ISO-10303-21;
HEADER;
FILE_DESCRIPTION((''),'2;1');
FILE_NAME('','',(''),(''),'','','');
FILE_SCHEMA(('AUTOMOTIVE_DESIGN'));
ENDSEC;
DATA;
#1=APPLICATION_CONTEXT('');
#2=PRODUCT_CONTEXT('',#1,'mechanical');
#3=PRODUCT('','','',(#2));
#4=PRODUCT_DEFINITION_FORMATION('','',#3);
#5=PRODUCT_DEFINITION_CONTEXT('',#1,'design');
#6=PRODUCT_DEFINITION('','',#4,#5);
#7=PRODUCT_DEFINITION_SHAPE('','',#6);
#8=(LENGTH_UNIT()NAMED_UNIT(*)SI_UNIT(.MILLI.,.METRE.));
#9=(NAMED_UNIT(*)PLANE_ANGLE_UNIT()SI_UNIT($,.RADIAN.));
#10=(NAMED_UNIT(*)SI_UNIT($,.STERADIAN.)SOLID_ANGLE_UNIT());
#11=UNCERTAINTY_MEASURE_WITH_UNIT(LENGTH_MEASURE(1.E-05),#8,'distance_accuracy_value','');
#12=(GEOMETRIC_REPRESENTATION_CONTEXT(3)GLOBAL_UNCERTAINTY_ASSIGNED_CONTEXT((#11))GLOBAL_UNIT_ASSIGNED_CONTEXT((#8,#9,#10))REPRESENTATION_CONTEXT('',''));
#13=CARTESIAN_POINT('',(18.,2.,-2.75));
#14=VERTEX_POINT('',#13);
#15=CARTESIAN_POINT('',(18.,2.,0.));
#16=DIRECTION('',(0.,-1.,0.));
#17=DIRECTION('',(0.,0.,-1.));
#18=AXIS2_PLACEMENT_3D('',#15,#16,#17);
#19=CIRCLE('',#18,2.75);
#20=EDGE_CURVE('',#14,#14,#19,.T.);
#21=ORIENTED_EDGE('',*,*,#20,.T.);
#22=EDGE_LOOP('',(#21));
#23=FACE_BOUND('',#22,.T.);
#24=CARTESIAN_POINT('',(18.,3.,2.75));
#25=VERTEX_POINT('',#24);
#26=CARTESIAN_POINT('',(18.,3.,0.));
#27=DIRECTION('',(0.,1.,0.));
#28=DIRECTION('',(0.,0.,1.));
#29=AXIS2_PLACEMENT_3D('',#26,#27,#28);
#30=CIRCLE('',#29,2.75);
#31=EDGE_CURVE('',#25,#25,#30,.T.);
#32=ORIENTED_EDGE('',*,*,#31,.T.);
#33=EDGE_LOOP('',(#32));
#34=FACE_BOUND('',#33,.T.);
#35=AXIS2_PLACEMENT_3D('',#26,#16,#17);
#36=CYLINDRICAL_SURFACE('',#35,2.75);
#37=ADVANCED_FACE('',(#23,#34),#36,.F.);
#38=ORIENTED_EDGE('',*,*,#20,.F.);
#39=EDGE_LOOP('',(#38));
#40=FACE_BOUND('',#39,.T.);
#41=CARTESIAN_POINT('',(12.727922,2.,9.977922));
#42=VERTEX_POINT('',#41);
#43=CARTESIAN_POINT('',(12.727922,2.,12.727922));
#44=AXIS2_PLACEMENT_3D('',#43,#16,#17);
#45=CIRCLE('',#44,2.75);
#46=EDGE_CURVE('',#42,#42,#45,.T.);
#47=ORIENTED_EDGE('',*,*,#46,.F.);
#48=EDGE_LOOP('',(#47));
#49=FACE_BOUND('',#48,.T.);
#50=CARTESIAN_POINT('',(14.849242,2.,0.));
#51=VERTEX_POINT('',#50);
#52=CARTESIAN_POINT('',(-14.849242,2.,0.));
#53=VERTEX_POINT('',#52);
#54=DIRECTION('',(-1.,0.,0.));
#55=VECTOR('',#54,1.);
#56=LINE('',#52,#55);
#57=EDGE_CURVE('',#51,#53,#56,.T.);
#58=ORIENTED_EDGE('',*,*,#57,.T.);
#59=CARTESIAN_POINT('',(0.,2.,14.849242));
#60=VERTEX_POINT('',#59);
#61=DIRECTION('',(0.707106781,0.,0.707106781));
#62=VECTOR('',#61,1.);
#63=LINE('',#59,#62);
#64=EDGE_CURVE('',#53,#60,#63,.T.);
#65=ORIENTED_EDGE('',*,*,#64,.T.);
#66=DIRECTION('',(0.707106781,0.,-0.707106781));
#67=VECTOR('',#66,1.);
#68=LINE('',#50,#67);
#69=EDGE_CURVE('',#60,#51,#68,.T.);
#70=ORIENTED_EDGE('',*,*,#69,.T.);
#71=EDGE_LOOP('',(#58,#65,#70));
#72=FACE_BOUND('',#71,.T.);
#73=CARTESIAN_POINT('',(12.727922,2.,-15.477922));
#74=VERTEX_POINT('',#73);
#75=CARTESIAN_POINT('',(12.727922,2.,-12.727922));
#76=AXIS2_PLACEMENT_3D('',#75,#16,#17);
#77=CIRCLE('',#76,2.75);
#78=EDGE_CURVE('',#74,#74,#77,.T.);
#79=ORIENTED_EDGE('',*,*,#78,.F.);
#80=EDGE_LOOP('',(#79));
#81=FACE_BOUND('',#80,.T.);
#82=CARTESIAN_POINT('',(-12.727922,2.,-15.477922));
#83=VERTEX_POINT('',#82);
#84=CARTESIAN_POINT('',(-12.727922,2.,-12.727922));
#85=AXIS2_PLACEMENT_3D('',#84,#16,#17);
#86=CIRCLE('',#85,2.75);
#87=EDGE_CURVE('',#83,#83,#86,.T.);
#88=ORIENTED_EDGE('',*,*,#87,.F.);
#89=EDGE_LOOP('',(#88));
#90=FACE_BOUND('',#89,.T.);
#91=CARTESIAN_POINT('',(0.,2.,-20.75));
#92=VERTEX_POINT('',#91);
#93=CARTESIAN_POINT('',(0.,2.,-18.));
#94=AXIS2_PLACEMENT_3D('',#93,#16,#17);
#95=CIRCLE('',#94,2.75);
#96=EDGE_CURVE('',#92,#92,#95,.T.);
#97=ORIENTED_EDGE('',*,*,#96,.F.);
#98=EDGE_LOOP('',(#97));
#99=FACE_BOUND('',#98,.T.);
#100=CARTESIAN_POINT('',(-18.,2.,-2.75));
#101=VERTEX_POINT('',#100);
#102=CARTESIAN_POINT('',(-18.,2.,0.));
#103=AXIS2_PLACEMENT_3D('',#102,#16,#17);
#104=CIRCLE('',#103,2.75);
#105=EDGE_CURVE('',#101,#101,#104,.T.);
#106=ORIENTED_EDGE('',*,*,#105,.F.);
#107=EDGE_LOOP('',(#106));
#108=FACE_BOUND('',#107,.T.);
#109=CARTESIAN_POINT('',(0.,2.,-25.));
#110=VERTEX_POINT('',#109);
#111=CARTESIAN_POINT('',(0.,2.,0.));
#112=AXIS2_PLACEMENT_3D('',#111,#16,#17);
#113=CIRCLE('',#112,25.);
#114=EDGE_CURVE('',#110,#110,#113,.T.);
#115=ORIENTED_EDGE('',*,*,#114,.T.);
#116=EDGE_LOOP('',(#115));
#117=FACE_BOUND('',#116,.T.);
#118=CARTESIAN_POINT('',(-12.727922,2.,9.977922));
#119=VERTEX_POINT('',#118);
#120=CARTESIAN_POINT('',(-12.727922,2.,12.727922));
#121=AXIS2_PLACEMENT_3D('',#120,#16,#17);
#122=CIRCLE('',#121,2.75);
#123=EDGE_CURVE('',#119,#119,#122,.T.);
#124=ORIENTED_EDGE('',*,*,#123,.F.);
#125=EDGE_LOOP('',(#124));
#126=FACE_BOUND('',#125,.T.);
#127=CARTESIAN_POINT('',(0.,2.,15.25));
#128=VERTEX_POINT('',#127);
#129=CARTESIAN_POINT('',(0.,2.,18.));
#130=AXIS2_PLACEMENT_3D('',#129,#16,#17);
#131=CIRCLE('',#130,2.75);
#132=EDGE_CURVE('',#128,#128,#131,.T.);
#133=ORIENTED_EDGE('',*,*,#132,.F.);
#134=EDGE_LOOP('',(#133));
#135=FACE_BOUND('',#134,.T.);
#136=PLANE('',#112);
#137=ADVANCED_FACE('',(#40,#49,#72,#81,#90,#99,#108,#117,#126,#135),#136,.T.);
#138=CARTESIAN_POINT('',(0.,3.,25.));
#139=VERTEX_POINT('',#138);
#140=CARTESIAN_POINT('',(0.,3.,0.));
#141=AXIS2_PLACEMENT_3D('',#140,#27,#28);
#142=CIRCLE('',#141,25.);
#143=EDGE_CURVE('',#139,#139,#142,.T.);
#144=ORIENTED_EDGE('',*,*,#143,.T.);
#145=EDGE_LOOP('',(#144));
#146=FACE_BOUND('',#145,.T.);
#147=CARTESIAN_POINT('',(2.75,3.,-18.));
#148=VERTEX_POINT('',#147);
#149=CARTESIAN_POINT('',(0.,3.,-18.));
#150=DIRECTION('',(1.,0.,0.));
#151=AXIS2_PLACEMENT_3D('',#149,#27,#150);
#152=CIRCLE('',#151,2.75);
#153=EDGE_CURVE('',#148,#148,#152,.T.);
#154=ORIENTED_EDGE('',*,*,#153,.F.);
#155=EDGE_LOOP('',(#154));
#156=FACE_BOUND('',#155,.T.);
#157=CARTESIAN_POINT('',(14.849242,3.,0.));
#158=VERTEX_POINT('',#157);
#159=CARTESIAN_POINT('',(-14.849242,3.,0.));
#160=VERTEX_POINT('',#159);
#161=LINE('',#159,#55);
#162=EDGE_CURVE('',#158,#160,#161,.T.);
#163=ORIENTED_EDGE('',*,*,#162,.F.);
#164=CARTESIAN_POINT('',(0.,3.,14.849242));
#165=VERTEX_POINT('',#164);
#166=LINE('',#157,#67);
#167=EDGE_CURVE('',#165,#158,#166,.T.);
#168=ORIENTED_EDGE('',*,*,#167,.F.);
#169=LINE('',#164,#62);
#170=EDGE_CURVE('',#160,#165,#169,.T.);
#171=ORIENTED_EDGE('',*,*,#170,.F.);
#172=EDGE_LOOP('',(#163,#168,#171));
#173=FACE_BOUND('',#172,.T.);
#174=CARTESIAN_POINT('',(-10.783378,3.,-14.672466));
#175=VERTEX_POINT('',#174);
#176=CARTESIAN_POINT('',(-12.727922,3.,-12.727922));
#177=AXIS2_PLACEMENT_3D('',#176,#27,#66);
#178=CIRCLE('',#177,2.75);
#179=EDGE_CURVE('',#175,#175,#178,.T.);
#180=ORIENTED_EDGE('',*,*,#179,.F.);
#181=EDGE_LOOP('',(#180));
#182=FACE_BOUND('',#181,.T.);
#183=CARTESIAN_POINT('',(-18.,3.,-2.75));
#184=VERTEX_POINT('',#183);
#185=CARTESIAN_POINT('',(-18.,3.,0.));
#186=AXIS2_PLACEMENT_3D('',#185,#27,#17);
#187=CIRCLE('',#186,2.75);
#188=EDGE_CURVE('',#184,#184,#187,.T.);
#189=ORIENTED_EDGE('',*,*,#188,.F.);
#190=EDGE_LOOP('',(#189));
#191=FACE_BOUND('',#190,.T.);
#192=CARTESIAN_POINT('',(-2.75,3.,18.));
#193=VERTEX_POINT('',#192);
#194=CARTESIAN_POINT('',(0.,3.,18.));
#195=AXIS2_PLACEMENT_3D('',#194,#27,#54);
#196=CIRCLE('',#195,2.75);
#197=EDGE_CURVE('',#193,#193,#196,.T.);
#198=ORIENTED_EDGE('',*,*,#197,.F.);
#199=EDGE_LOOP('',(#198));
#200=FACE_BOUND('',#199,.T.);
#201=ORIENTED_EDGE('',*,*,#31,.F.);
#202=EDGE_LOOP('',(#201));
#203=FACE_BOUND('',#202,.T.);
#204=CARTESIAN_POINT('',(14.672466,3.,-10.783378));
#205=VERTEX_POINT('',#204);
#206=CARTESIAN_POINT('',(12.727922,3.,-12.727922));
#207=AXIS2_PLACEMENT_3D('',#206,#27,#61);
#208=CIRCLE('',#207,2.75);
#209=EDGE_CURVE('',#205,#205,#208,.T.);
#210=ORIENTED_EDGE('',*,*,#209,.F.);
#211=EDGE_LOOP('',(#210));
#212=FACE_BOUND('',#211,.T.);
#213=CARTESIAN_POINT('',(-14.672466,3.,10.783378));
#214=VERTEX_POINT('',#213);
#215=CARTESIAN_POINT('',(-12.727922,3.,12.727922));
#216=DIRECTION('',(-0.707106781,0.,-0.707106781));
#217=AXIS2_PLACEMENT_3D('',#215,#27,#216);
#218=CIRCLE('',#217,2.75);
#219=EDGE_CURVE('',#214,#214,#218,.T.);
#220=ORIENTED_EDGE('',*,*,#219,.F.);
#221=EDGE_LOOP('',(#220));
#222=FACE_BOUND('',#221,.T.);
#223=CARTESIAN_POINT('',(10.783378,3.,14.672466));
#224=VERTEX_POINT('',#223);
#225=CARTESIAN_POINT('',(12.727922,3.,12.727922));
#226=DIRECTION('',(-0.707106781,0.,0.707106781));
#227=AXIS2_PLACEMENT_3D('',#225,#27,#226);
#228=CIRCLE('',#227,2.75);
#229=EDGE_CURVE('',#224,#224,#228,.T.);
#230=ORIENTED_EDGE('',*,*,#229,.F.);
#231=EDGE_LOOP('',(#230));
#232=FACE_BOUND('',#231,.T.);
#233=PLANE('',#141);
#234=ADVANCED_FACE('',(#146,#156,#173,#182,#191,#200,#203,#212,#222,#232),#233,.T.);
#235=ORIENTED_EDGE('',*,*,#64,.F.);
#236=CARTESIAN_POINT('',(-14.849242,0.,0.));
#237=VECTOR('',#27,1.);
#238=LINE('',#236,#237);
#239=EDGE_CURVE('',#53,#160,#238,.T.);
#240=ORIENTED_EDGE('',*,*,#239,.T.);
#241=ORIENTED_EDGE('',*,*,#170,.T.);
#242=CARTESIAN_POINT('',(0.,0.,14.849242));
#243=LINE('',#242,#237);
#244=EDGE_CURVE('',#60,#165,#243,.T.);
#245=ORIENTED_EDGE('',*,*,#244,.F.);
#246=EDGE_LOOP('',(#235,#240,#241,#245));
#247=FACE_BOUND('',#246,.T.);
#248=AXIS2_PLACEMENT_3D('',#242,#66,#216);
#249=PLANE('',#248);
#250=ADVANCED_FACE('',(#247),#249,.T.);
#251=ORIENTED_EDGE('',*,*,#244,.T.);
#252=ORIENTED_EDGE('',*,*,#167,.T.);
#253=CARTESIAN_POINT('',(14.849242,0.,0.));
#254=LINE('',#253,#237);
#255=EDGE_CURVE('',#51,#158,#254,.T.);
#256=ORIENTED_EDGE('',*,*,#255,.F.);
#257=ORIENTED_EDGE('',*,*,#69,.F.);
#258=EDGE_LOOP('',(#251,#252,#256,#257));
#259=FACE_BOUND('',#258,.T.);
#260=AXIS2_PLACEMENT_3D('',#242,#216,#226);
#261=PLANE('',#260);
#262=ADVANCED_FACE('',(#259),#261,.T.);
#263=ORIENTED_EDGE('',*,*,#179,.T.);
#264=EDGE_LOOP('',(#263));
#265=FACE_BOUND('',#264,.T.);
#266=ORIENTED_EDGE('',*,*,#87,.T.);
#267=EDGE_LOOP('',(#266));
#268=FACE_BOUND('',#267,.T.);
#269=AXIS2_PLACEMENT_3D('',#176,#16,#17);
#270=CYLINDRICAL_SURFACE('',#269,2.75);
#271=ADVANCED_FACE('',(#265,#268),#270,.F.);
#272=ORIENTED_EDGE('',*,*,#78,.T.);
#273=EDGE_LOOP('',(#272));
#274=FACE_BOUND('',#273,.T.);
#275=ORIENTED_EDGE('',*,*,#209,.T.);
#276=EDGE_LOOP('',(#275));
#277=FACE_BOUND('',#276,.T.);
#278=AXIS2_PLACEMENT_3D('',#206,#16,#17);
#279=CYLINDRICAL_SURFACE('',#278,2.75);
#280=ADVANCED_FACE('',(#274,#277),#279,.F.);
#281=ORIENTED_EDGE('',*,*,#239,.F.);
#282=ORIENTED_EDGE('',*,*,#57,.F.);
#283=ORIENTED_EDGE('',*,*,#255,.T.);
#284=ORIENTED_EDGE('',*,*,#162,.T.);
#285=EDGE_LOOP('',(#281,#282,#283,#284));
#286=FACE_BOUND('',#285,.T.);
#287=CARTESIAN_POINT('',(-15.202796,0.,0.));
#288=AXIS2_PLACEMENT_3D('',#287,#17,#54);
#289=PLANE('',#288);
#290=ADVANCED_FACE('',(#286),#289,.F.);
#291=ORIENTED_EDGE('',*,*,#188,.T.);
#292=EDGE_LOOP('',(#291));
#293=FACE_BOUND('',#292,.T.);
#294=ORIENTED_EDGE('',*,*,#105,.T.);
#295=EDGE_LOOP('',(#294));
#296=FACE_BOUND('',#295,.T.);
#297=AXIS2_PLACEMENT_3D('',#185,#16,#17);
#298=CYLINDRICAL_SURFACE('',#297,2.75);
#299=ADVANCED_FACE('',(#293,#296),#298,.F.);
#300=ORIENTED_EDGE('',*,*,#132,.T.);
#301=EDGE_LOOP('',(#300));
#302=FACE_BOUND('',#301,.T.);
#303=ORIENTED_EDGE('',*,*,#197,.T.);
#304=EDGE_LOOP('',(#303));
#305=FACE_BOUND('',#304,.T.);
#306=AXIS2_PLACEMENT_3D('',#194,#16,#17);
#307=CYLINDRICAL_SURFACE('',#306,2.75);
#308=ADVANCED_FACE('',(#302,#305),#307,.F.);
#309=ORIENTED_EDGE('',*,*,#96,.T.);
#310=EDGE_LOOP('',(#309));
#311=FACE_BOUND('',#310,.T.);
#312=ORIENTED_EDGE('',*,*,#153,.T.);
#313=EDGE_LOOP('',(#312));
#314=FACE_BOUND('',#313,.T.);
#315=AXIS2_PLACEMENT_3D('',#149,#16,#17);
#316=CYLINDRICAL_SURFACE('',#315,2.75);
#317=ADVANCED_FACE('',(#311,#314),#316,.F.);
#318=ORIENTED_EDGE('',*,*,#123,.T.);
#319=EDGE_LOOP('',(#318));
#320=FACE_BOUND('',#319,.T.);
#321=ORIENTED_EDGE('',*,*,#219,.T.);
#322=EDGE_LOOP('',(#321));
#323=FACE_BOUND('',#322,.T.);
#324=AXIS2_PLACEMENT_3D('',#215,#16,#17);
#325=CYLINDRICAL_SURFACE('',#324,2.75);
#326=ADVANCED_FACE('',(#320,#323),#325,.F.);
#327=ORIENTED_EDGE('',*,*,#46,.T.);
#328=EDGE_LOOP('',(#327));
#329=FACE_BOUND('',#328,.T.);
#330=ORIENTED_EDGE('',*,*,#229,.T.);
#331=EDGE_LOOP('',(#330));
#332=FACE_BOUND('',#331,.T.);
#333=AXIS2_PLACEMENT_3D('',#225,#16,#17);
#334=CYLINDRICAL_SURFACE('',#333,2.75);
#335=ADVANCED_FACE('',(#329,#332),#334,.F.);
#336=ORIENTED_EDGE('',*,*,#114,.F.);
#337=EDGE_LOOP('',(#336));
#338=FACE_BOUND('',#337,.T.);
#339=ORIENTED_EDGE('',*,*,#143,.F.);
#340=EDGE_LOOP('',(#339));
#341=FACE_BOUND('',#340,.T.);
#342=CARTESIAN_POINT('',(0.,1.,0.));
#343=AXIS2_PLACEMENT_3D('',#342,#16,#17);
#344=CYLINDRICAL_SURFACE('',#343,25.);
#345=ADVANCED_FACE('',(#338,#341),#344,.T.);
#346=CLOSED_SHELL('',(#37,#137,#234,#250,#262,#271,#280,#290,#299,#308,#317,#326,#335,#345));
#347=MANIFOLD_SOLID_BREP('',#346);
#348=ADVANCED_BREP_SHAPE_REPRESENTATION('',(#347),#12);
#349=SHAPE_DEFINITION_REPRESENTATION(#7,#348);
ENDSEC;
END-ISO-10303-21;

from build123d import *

# Parameters (mm, degrees)
SKETCH_1_R               = 25
EXTRUDE_2_DEPTH          = 1
SKETCH_2_R               = 1.5
CUT_EXTRUDE_1_DEPTH      = 1
PATTERN_CIRCULAR_1_COUNT = 8
CUT_EXTRUDE_2_DEPTH      = 1
EXTRUDE_3_DEPTH          = 1
SKETCH_5_R               = 25
EXTRUDE_5_DEPTH          = 2
SKETCH_6_R               = 1.5
CUT_EXTRUDE_3_DEPTH      = 2
PATTERN_CIRCULAR_2_COUNT = 8
SKETCH_7_R               = 25
EXTRUDE_6_DEPTH          = 2
SKETCH_8_R               = 2.75
CUT_EXTRUDE_4_DEPTH      = 2
PATTERN_CIRCULAR_3_COUNT = 8
EXTRUDE_8_DEPTH          = 2
SKETCH_11_R              = 25
CUT_EXTRUDE_6_DEPTH      = 4


with BuildPart() as part:
    # 草图1 → 凸台-拉伸2 (new body)
    with BuildSketch(Plane(origin=(0, 0, 0), x_dir=(1, 0, 0), z_dir=(0, 1, 0))):
        Circle(SKETCH_1_R)
    extrude(amount=EXTRUDE_2_DEPTH)

    # 草图2 → 切除-拉伸1 (cut)
    with BuildSketch(Plane(origin=(0, 1, 0), x_dir=(1, 0, 0), z_dir=(0, 1, 0))):
        with Locations((18, 0)):
            Circle(SKETCH_2_R)
    cut_extrude_1 = extrude(amount=-CUT_EXTRUDE_1_DEPTH, mode=Mode.SUBTRACT)

    # 阵列(圆周)1: 切除-拉伸1 ×8 about axis
    pattern_circular_1_axis = Axis((0, 0, 0), (0, 1, 0))
    for i in range(1, PATTERN_CIRCULAR_1_COUNT):
        add(cut_extrude_1.rotate(pattern_circular_1_axis, i * 360 / PATTERN_CIRCULAR_1_COUNT), mode=Mode.SUBTRACT)

    # 草图3 → 切除-拉伸2 (cut)
    with BuildSketch(Plane(origin=(0, 1, 0), x_dir=(1, 0, 0), z_dir=(0, 1, 0))):
        Polygon((-15.202795796, 0), (15.202795796, 0), (0, -15.202795796), align=None)
    extrude(amount=-CUT_EXTRUDE_2_DEPTH, mode=Mode.SUBTRACT)

    # 草图4 → 凸台-拉伸3 (add)
    with BuildSketch(Plane(origin=(0, 1, 0), x_dir=(1, 0, 0), z_dir=(0, 1, 0))):
        Polygon((0, -14.849242405), (14.849242405, 0), (15.202795796, 0), (0, -15.202795796), (-15.202795796, 0), (-14.849242405, 0), align=None)
    extrude(amount=-EXTRUDE_3_DEPTH)

    # 草图5 → 凸台-拉伸5 (add)
    with BuildSketch(Plane.XZ):
        Circle(SKETCH_5_R)
    extrude(amount=EXTRUDE_5_DEPTH)

    # 草图6 → 切除-拉伸3 (cut)
    with BuildSketch(Plane(origin=(0, 0, 0), x_dir=(1, 0, 0), z_dir=(0, 1, 0))):
        with Locations((18, 0)):
            Circle(SKETCH_6_R)
    cut_extrude_3 = extrude(amount=-CUT_EXTRUDE_3_DEPTH, mode=Mode.SUBTRACT)

    # 阵列(圆周)2: 切除-拉伸3 ×8 about axis
    pattern_circular_2_axis = Axis((0, 0, 0), (0, 1, 0))
    for i in range(1, PATTERN_CIRCULAR_2_COUNT):
        add(cut_extrude_3.rotate(pattern_circular_2_axis, i * 360 / PATTERN_CIRCULAR_2_COUNT), mode=Mode.SUBTRACT)

    # 草图7 → 凸台-拉伸6 (add)
    with BuildSketch(Plane(origin=(0, 1, 0), x_dir=(1, 0, 0), z_dir=(0, 1, 0))):
        Circle(SKETCH_7_R)
        Polygon((-14.849242405, 0), (14.849242405, 0), (0, -14.849242405), align=None, mode=Mode.SUBTRACT)
    extrude(amount=EXTRUDE_6_DEPTH)

    # 草图8 → 切除-拉伸4 (cut)
    with BuildSketch(Plane(origin=(0, 1, 0), x_dir=(1, 0, 0), z_dir=(0, 1, 0))):
        with Locations((18, 0)):
            Circle(SKETCH_8_R)
    cut_extrude_4 = extrude(amount=CUT_EXTRUDE_4_DEPTH, mode=Mode.SUBTRACT)

    # 阵列(圆周)3: 切除-拉伸4 ×8 about axis
    pattern_circular_3_axis = Axis((0, 0, 0), (0, 1, 0))
    for i in range(1, PATTERN_CIRCULAR_3_COUNT):
        add(cut_extrude_4.rotate(pattern_circular_3_axis, i * 360 / PATTERN_CIRCULAR_3_COUNT), mode=Mode.SUBTRACT)

    # 草图9 → 凸台-拉伸8 (add)
    with BuildSketch(Plane(origin=(0, 0, 0), x_dir=(1, 0, 0), z_dir=(0, 1, 0))):
        Polygon((-14.849242405, 0), (14.849242405, 0), (0, -14.849242405), align=None)
    extrude(amount=EXTRUDE_8_DEPTH)

    # 草图11 → 切除-拉伸6 (cut)
    with BuildSketch(Plane.XZ.offset(2)):
        Circle(SKETCH_11_R)
    extrude(amount=-CUT_EXTRUDE_6_DEPTH, mode=Mode.SUBTRACT)


solid = part.part
